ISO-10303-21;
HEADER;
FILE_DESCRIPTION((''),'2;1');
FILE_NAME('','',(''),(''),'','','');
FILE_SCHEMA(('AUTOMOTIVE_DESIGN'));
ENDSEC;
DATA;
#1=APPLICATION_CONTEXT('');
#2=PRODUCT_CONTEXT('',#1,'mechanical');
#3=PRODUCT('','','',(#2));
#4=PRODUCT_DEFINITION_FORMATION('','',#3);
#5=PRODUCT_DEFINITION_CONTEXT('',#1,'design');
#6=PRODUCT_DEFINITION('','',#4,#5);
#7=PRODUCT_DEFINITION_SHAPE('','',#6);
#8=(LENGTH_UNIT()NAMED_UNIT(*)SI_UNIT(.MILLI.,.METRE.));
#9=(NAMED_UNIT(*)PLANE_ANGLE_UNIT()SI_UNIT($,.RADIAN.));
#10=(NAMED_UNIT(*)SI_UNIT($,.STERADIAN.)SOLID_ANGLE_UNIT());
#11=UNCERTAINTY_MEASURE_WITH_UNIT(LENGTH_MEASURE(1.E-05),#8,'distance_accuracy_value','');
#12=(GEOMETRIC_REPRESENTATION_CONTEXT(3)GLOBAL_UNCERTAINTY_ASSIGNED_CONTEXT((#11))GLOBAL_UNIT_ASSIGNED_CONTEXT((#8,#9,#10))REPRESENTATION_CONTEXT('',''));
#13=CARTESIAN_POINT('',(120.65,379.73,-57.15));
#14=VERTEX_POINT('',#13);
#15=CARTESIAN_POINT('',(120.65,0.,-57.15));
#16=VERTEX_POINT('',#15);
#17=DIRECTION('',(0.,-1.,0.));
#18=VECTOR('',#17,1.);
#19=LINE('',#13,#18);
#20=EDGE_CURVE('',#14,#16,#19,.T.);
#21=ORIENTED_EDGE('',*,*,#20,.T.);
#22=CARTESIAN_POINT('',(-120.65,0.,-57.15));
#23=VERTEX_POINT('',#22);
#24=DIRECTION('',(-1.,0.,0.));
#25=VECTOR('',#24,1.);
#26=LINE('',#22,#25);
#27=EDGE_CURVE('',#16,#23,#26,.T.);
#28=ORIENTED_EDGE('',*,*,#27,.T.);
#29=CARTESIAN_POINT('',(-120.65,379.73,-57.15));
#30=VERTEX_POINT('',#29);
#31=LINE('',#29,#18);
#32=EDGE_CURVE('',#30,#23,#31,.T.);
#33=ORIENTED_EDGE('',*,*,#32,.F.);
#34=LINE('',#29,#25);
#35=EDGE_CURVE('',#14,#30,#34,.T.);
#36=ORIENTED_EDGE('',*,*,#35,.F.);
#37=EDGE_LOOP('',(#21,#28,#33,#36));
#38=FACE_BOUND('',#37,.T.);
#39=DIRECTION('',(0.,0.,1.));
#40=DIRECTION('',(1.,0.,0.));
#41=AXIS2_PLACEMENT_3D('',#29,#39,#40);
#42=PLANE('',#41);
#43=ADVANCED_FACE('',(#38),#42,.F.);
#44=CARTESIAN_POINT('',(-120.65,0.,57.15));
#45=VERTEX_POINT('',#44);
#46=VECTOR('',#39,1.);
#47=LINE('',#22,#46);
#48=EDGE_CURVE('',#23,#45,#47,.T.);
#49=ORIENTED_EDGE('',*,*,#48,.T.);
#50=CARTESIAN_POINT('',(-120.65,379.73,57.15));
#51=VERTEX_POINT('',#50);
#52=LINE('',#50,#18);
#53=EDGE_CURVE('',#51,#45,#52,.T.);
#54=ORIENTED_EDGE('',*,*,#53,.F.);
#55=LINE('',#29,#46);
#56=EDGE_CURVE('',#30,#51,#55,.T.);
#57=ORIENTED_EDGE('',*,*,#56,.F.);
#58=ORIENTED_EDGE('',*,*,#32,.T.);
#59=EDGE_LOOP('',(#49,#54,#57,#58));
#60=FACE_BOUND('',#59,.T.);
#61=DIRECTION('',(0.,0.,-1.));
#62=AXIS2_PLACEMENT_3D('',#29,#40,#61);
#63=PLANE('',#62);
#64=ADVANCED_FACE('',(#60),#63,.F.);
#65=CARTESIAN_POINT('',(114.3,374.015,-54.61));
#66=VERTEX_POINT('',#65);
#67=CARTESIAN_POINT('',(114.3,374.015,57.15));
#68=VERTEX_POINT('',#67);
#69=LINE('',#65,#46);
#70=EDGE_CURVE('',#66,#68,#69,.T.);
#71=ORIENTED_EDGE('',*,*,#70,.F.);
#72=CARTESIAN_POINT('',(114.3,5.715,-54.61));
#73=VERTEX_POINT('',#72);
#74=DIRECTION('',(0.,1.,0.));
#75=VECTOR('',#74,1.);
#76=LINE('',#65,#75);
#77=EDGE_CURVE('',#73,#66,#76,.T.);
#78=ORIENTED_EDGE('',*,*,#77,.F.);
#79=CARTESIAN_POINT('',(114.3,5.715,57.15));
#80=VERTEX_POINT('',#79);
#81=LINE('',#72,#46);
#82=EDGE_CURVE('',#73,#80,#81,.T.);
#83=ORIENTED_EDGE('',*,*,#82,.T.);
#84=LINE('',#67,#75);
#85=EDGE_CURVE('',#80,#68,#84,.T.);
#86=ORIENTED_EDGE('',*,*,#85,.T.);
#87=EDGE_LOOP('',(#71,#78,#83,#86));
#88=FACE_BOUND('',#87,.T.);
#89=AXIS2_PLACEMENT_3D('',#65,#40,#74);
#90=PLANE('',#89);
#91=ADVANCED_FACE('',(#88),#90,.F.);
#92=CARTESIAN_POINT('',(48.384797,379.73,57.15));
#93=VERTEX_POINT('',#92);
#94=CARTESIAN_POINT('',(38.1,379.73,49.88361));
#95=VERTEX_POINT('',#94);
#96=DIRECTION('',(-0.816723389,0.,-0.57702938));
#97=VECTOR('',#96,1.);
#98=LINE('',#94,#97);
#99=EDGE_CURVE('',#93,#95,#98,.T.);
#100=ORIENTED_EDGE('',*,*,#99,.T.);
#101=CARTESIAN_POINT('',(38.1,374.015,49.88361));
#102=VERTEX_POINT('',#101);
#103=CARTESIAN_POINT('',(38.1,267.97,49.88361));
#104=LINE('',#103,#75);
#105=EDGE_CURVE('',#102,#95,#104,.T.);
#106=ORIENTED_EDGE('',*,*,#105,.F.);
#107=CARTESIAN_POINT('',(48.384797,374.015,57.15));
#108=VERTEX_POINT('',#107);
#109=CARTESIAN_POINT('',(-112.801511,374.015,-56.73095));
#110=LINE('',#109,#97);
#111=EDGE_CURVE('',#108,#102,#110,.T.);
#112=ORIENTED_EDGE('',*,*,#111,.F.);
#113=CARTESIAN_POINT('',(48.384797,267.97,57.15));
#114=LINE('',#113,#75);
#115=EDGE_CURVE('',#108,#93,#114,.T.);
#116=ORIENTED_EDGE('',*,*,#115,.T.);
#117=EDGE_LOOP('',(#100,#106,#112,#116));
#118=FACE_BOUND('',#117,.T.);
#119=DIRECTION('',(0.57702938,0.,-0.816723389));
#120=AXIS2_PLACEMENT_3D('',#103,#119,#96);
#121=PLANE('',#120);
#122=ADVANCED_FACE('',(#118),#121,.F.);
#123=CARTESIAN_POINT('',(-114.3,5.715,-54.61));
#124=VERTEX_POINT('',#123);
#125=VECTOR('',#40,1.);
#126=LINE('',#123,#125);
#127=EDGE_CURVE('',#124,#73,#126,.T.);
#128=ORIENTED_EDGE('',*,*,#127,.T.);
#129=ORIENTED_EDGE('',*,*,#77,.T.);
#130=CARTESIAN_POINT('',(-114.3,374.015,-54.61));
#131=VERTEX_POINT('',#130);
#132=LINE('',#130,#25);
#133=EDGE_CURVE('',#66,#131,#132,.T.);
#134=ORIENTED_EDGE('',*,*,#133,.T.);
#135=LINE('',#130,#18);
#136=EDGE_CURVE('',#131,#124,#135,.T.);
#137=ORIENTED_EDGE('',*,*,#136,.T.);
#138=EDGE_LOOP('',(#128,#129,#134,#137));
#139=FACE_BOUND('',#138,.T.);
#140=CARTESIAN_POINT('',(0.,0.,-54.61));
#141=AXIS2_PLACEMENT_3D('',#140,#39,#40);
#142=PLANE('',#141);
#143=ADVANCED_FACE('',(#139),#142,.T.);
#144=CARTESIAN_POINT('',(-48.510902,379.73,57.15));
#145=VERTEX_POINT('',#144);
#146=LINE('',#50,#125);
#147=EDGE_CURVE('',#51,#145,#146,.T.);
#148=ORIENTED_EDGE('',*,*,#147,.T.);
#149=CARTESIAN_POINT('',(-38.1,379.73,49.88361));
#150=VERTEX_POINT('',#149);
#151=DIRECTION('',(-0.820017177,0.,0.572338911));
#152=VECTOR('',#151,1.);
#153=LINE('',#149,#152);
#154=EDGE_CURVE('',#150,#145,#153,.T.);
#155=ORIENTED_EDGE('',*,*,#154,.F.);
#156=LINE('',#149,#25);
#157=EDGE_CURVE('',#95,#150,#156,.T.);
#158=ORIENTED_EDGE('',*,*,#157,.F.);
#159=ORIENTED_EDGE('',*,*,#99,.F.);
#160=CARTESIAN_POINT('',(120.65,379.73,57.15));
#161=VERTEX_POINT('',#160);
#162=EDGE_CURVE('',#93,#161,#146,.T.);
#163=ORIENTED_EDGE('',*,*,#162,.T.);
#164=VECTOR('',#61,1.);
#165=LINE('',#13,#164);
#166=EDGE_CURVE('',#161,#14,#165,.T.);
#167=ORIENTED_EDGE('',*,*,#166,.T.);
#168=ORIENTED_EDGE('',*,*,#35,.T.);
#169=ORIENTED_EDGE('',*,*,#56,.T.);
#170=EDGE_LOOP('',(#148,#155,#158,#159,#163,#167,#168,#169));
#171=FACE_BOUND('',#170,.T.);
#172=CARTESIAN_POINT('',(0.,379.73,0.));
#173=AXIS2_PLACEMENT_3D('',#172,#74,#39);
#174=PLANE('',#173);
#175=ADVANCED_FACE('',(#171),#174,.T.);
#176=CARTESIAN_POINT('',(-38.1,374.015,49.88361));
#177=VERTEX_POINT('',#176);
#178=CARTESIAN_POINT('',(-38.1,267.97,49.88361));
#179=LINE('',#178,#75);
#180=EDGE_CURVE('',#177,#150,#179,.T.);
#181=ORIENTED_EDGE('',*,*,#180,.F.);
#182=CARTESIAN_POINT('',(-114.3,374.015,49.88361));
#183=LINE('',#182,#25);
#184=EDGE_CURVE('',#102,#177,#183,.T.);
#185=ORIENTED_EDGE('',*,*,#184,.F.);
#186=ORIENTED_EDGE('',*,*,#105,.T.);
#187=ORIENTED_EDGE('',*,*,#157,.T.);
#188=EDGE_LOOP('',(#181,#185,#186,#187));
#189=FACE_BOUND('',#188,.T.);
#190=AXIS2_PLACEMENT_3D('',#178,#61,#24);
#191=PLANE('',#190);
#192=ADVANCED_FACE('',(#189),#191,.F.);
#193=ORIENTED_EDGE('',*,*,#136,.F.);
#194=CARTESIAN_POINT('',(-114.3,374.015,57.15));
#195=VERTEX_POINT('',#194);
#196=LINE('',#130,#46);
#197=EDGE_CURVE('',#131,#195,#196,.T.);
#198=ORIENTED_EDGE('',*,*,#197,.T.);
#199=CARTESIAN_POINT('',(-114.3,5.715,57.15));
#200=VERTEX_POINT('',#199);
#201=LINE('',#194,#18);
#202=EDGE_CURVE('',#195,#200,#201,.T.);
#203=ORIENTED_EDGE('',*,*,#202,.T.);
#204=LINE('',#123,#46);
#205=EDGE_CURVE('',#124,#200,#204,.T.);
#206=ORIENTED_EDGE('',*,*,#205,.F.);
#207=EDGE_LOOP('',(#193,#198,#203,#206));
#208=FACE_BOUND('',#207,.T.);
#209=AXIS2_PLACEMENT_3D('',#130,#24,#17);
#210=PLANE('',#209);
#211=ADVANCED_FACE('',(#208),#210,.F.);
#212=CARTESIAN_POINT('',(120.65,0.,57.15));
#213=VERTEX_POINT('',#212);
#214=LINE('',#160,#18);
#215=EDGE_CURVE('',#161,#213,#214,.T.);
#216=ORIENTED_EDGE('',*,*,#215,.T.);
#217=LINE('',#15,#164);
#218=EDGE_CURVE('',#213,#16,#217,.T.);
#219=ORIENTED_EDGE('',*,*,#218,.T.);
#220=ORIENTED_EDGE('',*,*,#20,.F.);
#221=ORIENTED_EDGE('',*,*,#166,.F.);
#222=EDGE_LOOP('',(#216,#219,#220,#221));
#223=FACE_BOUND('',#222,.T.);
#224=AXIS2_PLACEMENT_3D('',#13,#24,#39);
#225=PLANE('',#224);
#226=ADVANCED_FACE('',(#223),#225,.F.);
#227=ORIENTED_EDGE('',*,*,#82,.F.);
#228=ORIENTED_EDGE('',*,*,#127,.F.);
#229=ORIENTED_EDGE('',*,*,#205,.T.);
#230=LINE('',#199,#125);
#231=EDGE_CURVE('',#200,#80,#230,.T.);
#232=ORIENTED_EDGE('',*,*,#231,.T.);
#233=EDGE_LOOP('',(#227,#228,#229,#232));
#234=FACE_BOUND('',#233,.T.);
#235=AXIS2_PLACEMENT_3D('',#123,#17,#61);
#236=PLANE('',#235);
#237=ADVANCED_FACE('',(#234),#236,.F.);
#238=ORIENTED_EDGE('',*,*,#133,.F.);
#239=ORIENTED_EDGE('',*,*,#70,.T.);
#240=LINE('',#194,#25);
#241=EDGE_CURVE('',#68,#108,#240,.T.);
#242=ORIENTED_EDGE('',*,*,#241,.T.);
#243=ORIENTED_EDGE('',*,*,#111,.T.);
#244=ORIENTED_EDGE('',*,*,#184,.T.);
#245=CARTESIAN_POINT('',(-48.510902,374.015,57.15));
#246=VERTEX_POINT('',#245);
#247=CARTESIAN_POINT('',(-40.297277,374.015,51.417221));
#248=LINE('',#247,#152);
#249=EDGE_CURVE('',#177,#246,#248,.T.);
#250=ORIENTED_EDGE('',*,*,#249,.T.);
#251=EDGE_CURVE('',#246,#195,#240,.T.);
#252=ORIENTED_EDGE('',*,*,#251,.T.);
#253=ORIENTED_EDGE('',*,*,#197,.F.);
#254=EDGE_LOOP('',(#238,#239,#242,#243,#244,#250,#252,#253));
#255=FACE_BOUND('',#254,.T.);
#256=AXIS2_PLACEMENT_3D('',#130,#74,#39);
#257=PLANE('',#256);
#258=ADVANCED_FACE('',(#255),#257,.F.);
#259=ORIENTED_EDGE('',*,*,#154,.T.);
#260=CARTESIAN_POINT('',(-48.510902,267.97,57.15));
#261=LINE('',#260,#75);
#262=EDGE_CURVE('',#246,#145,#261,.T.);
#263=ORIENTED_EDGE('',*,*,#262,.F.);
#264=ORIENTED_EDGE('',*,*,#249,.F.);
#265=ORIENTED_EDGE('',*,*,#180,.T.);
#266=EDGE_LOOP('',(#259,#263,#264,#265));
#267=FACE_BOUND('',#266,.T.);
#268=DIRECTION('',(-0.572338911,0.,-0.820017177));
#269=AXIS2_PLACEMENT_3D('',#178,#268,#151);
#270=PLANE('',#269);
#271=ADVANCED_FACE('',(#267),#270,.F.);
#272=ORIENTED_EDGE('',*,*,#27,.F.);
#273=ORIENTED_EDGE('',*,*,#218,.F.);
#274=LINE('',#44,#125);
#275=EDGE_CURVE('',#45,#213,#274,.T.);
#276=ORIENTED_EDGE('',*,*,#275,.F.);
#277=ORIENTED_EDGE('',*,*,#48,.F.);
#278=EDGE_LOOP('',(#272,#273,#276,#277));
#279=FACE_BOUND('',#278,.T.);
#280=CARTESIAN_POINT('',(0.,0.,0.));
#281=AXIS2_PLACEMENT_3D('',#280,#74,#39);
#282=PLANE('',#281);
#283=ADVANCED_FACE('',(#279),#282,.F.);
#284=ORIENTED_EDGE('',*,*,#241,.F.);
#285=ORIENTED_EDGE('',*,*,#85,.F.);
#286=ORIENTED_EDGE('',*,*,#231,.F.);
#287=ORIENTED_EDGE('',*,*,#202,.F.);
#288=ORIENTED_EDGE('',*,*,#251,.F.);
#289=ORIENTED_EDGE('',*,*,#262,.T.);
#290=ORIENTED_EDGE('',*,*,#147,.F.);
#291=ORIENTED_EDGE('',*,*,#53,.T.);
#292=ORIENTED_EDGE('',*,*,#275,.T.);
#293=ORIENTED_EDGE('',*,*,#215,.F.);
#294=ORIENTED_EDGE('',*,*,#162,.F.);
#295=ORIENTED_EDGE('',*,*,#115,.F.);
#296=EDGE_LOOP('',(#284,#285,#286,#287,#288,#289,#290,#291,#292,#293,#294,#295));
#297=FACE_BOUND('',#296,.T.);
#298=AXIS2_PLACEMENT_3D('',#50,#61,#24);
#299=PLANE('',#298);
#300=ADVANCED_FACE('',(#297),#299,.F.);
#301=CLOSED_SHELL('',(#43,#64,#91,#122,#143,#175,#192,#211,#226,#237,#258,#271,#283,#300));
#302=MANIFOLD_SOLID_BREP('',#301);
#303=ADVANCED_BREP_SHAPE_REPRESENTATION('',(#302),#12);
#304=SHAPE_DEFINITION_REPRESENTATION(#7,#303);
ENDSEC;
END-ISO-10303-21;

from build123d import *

# Parameters (mm, degrees)
SKETCH1_W           = 241.3
SKETCH1_H           = 114.3
BOSS_EXTRUDE1_DEPTH = 379.73
SKETCH2_W           = 228.6
SKETCH2_H           = 368.3
CUT_EXTRUDE1_DEPTH  = 111.76
CUT_EXTRUDE2_DEPTH  = 111.76


with BuildPart() as part:
    # Sketch1 → Boss-Extrude1 (new body)
    with BuildSketch(Plane(origin=(0, 0, 0), x_dir=(1, 0, 0), z_dir=(0, 1, 0))):
        Rectangle(SKETCH1_W, SKETCH1_H)
    extrude(amount=BOSS_EXTRUDE1_DEPTH)

    # Sketch2 → Cut-Extrude1 (cut)
    with BuildSketch(Plane.XY.offset(57.15)):
        with Locations((0, 189.865)):
            Rectangle(SKETCH2_W, SKETCH2_H)
    extrude(amount=-CUT_EXTRUDE1_DEPTH, mode=Mode.SUBTRACT)

    # Sketch3 → Cut-Extrude2 (cut)
    with BuildSketch(Plane(origin=(0, 379.73, 0), x_dir=(1, 0, 0), z_dir=(0, 1, 0))):
        Polygon((-38.1, -49.883610426), (-48.510901929, -57.15), (48.384797494, -57.15), (38.1, -49.883610426), align=None)
    extrude(amount=-CUT_EXTRUDE2_DEPTH, mode=Mode.SUBTRACT)


solid = part.part
